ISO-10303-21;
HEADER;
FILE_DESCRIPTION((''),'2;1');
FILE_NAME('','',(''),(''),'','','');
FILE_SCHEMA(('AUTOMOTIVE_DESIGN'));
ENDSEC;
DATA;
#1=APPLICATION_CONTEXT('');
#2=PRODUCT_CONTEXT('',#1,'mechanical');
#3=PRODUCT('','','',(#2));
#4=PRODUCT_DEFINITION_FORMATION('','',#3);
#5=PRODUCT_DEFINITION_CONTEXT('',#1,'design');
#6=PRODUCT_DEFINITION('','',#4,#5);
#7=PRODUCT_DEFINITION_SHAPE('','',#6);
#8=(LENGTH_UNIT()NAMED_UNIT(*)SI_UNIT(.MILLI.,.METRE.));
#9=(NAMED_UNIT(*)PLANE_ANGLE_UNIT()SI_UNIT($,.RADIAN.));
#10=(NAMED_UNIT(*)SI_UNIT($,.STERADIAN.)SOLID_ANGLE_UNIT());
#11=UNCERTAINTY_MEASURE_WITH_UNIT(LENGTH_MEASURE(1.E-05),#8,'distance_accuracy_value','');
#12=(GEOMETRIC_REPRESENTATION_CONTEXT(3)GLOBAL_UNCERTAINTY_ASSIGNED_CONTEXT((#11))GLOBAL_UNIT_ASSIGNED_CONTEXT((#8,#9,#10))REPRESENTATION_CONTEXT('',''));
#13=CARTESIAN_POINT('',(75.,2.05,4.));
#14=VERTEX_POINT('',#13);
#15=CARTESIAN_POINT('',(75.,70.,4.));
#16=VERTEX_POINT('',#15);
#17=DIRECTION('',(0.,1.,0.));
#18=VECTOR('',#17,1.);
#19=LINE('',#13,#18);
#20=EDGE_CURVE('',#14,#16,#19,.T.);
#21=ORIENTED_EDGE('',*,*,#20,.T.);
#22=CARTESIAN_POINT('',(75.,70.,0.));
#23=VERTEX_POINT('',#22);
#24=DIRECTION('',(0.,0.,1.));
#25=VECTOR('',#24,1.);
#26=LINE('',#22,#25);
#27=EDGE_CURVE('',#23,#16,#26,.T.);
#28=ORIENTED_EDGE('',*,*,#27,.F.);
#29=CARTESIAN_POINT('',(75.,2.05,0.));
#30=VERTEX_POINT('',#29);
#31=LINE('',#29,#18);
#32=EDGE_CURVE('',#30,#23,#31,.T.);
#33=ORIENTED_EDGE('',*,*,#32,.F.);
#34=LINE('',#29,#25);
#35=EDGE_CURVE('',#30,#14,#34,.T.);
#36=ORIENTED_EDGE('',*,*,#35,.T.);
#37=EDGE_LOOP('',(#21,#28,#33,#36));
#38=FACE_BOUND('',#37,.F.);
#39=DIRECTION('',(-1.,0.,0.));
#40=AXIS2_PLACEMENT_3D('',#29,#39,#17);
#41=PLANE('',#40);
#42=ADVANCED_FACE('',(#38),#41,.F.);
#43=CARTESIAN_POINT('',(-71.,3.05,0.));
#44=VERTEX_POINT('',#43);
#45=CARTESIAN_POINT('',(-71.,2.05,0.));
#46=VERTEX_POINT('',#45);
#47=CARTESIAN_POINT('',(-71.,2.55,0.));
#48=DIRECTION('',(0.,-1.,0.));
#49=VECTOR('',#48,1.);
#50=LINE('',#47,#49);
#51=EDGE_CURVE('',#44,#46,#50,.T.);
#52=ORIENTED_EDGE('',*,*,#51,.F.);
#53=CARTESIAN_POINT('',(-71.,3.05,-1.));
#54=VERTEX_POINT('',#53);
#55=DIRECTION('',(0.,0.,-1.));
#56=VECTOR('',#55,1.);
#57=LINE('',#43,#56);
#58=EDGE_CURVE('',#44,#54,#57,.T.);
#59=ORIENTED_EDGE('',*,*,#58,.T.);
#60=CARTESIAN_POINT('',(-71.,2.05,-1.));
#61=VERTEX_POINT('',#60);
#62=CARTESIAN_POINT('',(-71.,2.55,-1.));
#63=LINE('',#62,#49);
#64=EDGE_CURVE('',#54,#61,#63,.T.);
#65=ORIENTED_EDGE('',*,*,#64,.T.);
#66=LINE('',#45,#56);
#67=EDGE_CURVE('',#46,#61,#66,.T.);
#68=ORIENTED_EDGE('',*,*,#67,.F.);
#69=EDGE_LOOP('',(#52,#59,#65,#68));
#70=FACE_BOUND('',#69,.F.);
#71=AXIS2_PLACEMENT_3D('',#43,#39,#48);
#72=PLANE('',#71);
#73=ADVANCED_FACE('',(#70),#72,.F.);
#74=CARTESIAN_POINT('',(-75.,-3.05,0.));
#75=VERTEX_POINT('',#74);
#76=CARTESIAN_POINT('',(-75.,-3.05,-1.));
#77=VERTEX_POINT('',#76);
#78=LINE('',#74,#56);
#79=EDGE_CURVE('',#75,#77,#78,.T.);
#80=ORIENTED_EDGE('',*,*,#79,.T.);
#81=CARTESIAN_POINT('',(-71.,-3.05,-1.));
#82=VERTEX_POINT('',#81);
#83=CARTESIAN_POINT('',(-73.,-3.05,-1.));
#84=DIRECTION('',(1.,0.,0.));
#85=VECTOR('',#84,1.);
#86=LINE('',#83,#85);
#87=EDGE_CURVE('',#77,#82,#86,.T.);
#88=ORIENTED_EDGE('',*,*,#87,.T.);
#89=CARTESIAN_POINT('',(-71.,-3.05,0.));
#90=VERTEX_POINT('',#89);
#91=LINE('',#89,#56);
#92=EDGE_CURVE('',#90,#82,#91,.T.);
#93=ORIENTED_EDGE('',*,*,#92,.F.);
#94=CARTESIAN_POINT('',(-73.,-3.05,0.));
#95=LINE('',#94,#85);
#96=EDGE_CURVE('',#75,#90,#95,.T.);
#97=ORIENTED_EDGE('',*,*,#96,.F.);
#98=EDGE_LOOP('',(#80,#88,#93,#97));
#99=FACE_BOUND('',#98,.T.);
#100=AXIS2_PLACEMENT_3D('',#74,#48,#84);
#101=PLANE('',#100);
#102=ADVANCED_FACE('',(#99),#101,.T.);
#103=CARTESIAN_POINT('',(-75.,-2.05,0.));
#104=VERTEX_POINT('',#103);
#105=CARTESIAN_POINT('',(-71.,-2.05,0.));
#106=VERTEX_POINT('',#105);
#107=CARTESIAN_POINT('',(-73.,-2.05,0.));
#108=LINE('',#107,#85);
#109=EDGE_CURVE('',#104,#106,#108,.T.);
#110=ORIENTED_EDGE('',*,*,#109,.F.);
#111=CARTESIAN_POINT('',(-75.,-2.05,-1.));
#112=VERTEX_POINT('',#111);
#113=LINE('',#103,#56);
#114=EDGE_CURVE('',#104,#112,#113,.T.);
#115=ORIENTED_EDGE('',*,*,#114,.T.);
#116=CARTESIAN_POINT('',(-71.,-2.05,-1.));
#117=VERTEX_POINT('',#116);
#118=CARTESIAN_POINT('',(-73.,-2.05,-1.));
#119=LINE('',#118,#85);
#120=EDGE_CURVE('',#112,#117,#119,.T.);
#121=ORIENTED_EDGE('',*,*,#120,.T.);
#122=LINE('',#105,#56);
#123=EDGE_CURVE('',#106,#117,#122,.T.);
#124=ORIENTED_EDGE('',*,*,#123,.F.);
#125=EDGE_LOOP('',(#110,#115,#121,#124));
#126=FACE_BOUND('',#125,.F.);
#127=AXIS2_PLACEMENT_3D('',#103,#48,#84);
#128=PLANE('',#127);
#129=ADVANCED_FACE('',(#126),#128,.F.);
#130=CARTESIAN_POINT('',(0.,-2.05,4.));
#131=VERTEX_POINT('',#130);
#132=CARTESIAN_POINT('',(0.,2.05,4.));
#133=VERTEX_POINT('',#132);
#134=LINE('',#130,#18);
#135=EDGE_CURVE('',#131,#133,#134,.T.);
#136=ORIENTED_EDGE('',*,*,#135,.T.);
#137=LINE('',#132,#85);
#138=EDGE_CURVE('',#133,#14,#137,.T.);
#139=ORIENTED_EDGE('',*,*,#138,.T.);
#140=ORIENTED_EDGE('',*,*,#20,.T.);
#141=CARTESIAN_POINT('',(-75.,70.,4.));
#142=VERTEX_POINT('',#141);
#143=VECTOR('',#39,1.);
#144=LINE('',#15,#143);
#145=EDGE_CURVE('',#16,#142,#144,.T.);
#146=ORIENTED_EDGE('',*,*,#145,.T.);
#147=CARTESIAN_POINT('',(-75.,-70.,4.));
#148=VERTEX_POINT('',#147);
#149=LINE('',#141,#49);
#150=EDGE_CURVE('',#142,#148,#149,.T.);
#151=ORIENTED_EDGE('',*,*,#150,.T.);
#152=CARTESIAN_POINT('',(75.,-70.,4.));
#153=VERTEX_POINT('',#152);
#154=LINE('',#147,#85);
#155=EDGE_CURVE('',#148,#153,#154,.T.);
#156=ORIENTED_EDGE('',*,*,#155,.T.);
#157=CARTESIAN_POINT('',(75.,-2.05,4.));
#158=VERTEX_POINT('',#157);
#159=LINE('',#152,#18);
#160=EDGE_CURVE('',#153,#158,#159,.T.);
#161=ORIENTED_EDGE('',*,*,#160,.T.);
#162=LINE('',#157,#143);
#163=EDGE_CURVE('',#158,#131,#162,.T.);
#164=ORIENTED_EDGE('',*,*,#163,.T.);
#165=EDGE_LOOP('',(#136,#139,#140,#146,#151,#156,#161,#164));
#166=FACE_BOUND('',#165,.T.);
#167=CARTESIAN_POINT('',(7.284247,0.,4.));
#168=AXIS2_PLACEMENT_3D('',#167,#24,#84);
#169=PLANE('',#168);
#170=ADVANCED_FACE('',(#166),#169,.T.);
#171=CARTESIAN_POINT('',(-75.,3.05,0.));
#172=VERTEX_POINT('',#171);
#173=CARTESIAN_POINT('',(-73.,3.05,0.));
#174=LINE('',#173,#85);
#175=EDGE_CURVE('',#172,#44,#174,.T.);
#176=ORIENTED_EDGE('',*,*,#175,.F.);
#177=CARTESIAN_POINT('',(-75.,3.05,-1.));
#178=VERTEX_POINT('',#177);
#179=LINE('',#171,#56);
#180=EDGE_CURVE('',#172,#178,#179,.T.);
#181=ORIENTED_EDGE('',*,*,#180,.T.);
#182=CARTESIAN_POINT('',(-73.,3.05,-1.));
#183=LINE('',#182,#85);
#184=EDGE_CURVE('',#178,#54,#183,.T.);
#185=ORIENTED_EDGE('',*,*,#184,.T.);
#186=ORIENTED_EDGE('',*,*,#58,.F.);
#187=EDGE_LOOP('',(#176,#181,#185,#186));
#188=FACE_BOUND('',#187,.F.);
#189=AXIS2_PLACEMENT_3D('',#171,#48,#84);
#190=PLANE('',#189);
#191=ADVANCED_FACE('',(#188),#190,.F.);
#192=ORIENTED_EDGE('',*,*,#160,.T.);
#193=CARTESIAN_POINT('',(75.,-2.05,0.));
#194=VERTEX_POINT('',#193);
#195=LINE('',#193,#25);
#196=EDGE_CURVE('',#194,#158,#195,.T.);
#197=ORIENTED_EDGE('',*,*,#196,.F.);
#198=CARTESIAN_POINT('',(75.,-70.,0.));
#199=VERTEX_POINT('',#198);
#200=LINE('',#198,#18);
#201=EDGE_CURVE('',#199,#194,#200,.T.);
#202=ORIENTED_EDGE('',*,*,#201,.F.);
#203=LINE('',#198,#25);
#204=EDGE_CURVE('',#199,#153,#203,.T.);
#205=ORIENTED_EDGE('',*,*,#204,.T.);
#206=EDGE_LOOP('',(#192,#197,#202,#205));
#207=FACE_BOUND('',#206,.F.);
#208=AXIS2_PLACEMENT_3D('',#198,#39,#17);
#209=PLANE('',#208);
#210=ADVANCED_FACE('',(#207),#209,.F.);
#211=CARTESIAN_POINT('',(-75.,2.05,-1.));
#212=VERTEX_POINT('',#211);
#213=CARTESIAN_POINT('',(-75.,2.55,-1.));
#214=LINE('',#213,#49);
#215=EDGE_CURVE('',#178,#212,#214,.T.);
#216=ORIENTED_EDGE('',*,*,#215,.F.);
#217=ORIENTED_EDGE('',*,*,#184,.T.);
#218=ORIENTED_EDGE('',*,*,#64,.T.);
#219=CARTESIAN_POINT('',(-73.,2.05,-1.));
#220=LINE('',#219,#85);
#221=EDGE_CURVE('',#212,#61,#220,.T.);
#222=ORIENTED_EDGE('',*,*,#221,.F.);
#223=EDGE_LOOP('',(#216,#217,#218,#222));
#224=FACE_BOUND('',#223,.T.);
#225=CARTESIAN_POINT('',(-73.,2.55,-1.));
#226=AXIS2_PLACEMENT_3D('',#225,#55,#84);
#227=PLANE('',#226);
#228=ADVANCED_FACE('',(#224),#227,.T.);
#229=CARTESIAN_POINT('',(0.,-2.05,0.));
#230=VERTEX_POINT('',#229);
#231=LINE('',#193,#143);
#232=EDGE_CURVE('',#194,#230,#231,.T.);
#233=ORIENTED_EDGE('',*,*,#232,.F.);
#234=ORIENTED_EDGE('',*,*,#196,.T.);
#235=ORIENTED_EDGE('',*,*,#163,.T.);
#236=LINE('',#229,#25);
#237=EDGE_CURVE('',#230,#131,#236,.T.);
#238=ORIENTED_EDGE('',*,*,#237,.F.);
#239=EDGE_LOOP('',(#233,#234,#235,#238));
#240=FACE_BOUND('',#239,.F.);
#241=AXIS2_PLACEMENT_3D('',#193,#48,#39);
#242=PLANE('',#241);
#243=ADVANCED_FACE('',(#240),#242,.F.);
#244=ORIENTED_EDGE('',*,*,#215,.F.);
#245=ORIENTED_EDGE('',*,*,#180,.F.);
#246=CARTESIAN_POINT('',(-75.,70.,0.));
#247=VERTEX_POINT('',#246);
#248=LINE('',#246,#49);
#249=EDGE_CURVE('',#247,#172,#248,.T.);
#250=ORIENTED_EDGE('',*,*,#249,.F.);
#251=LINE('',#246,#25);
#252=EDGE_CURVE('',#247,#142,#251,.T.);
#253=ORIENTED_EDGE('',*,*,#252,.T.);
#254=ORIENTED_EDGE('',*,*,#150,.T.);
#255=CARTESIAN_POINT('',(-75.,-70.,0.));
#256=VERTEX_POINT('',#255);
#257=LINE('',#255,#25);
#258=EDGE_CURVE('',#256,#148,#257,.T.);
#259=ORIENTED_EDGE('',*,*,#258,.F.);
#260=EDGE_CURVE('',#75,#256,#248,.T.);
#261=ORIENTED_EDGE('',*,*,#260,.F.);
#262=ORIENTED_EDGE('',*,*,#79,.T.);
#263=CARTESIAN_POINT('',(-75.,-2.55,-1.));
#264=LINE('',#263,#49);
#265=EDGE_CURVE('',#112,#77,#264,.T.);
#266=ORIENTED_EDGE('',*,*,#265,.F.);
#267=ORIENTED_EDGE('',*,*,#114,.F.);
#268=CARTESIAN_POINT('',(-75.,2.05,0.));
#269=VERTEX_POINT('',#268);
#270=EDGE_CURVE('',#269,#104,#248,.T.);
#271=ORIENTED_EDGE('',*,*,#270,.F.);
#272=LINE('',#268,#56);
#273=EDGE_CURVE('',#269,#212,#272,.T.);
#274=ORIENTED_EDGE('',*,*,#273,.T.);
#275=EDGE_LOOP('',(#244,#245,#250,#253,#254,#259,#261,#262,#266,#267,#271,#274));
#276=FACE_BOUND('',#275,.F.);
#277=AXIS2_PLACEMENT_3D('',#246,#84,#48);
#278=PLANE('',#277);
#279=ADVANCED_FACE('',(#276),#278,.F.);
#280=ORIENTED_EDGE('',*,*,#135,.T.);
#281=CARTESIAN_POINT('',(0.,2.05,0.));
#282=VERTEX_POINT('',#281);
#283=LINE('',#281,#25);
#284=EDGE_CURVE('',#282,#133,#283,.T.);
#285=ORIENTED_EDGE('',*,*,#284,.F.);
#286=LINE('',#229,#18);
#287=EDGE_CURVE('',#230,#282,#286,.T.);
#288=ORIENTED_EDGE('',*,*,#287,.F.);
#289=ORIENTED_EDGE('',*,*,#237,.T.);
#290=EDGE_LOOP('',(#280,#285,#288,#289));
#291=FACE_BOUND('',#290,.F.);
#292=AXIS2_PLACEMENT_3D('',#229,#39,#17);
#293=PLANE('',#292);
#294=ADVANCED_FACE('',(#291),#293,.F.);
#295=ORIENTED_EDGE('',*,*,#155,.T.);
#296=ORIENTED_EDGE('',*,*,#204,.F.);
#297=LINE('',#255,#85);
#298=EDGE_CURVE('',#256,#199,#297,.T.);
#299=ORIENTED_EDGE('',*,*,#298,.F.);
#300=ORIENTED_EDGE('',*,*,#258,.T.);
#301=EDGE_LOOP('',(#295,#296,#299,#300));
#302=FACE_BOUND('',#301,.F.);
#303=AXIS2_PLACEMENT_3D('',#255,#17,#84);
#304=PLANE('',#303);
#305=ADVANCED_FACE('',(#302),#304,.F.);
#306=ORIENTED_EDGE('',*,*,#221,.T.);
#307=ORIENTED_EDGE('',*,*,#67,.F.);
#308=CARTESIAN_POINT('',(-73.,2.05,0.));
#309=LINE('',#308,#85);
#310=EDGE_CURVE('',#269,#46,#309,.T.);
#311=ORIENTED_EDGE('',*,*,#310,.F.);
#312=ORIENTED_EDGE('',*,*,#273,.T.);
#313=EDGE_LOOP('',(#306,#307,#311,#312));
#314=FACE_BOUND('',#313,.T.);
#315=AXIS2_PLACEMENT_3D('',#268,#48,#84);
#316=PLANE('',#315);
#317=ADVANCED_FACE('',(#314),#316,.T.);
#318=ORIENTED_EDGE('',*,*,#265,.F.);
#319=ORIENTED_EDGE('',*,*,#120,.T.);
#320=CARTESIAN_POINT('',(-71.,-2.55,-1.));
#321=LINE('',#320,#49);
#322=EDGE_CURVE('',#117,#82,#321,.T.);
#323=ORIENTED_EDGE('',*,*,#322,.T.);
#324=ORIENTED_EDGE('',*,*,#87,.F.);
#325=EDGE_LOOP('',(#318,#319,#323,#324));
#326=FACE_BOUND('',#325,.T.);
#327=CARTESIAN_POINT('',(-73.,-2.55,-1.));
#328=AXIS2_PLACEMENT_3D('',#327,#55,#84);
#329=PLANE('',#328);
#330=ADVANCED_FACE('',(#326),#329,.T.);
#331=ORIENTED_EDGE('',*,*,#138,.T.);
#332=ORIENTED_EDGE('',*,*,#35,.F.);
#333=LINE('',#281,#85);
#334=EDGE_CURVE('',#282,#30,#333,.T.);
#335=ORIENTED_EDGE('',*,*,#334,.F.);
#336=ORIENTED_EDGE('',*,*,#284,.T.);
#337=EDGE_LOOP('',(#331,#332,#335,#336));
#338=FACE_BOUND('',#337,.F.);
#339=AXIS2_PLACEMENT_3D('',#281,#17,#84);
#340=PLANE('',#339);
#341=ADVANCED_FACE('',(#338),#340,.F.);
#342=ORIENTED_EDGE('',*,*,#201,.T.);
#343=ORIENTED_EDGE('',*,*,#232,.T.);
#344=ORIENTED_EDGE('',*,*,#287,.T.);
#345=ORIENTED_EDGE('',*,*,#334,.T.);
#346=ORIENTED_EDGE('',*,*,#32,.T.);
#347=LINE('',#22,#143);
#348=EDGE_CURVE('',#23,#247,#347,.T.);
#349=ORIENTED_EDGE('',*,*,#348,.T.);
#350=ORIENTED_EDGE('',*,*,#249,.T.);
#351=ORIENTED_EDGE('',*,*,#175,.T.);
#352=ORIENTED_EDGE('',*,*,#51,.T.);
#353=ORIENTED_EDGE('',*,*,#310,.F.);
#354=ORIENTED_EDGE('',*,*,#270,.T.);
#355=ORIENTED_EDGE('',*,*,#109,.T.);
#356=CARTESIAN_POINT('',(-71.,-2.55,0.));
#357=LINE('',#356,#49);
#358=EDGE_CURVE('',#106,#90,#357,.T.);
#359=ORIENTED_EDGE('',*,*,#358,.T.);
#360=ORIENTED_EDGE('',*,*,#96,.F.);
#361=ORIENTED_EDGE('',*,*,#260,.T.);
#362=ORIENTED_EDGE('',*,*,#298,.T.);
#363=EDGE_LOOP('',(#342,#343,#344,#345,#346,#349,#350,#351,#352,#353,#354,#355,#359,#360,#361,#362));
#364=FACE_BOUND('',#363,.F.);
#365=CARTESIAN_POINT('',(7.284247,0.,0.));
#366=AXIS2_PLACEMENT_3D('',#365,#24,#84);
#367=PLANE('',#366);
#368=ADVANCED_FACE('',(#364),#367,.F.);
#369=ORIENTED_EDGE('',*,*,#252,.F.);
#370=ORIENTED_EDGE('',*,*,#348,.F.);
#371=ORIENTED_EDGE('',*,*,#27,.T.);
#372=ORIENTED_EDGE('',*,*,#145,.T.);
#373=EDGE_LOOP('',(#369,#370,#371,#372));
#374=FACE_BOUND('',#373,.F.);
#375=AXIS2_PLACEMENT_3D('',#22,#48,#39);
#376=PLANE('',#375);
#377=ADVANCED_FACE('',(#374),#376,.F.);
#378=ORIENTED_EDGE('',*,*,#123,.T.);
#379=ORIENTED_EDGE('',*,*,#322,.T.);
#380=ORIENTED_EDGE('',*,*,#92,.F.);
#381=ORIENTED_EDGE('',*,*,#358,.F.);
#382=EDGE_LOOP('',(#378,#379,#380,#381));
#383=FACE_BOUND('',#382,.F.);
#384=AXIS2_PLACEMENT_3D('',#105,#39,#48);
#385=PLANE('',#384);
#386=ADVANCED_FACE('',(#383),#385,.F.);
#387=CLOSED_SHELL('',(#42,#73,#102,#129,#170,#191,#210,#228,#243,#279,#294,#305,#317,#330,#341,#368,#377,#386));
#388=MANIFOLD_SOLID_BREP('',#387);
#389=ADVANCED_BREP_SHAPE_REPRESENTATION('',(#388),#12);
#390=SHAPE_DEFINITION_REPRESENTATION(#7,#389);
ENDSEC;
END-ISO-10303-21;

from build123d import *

# Parameters (mm, degrees)
PAD_DEPTH    = 4
SKETCH001_W  = 4
SKETCH001_H  = 1
PAD001_DEPTH = 1
SKETCH002_W  = 4
SKETCH002_H  = 1
PAD002_DEPTH = 1


with BuildPart() as part:
    # Sketch → Pad (new body)
    with BuildSketch(Plane.XY):
        Polygon((75, 70), (-75, 70), (-75, -70), (75, -70), (75, -2.05), (0, -2.05), (0, 2.05), (75, 2.05), align=None)
    extrude(amount=PAD_DEPTH)

    # Sketch001 (on Face9 of Pad) → Pad001 (join)
    with BuildSketch(Plane(origin=(0, 0, 0), x_dir=(1, 0, 0), z_dir=(0, 0, -1))):
        with Locations((-73, 2.55)):
            Rectangle(SKETCH001_W, SKETCH001_H)
    extrude(amount=PAD001_DEPTH)

    # Sketch002 (on Face4 of Pad001) → Pad002 (join)
    with BuildSketch(Plane(origin=(0, 0, 0), x_dir=(1, 0, 0), z_dir=(0, 0, -1))):
        with Locations((-73, -2.55)):
            Rectangle(SKETCH002_W, SKETCH002_H)
    extrude(amount=PAD002_DEPTH)


solid = part.part
